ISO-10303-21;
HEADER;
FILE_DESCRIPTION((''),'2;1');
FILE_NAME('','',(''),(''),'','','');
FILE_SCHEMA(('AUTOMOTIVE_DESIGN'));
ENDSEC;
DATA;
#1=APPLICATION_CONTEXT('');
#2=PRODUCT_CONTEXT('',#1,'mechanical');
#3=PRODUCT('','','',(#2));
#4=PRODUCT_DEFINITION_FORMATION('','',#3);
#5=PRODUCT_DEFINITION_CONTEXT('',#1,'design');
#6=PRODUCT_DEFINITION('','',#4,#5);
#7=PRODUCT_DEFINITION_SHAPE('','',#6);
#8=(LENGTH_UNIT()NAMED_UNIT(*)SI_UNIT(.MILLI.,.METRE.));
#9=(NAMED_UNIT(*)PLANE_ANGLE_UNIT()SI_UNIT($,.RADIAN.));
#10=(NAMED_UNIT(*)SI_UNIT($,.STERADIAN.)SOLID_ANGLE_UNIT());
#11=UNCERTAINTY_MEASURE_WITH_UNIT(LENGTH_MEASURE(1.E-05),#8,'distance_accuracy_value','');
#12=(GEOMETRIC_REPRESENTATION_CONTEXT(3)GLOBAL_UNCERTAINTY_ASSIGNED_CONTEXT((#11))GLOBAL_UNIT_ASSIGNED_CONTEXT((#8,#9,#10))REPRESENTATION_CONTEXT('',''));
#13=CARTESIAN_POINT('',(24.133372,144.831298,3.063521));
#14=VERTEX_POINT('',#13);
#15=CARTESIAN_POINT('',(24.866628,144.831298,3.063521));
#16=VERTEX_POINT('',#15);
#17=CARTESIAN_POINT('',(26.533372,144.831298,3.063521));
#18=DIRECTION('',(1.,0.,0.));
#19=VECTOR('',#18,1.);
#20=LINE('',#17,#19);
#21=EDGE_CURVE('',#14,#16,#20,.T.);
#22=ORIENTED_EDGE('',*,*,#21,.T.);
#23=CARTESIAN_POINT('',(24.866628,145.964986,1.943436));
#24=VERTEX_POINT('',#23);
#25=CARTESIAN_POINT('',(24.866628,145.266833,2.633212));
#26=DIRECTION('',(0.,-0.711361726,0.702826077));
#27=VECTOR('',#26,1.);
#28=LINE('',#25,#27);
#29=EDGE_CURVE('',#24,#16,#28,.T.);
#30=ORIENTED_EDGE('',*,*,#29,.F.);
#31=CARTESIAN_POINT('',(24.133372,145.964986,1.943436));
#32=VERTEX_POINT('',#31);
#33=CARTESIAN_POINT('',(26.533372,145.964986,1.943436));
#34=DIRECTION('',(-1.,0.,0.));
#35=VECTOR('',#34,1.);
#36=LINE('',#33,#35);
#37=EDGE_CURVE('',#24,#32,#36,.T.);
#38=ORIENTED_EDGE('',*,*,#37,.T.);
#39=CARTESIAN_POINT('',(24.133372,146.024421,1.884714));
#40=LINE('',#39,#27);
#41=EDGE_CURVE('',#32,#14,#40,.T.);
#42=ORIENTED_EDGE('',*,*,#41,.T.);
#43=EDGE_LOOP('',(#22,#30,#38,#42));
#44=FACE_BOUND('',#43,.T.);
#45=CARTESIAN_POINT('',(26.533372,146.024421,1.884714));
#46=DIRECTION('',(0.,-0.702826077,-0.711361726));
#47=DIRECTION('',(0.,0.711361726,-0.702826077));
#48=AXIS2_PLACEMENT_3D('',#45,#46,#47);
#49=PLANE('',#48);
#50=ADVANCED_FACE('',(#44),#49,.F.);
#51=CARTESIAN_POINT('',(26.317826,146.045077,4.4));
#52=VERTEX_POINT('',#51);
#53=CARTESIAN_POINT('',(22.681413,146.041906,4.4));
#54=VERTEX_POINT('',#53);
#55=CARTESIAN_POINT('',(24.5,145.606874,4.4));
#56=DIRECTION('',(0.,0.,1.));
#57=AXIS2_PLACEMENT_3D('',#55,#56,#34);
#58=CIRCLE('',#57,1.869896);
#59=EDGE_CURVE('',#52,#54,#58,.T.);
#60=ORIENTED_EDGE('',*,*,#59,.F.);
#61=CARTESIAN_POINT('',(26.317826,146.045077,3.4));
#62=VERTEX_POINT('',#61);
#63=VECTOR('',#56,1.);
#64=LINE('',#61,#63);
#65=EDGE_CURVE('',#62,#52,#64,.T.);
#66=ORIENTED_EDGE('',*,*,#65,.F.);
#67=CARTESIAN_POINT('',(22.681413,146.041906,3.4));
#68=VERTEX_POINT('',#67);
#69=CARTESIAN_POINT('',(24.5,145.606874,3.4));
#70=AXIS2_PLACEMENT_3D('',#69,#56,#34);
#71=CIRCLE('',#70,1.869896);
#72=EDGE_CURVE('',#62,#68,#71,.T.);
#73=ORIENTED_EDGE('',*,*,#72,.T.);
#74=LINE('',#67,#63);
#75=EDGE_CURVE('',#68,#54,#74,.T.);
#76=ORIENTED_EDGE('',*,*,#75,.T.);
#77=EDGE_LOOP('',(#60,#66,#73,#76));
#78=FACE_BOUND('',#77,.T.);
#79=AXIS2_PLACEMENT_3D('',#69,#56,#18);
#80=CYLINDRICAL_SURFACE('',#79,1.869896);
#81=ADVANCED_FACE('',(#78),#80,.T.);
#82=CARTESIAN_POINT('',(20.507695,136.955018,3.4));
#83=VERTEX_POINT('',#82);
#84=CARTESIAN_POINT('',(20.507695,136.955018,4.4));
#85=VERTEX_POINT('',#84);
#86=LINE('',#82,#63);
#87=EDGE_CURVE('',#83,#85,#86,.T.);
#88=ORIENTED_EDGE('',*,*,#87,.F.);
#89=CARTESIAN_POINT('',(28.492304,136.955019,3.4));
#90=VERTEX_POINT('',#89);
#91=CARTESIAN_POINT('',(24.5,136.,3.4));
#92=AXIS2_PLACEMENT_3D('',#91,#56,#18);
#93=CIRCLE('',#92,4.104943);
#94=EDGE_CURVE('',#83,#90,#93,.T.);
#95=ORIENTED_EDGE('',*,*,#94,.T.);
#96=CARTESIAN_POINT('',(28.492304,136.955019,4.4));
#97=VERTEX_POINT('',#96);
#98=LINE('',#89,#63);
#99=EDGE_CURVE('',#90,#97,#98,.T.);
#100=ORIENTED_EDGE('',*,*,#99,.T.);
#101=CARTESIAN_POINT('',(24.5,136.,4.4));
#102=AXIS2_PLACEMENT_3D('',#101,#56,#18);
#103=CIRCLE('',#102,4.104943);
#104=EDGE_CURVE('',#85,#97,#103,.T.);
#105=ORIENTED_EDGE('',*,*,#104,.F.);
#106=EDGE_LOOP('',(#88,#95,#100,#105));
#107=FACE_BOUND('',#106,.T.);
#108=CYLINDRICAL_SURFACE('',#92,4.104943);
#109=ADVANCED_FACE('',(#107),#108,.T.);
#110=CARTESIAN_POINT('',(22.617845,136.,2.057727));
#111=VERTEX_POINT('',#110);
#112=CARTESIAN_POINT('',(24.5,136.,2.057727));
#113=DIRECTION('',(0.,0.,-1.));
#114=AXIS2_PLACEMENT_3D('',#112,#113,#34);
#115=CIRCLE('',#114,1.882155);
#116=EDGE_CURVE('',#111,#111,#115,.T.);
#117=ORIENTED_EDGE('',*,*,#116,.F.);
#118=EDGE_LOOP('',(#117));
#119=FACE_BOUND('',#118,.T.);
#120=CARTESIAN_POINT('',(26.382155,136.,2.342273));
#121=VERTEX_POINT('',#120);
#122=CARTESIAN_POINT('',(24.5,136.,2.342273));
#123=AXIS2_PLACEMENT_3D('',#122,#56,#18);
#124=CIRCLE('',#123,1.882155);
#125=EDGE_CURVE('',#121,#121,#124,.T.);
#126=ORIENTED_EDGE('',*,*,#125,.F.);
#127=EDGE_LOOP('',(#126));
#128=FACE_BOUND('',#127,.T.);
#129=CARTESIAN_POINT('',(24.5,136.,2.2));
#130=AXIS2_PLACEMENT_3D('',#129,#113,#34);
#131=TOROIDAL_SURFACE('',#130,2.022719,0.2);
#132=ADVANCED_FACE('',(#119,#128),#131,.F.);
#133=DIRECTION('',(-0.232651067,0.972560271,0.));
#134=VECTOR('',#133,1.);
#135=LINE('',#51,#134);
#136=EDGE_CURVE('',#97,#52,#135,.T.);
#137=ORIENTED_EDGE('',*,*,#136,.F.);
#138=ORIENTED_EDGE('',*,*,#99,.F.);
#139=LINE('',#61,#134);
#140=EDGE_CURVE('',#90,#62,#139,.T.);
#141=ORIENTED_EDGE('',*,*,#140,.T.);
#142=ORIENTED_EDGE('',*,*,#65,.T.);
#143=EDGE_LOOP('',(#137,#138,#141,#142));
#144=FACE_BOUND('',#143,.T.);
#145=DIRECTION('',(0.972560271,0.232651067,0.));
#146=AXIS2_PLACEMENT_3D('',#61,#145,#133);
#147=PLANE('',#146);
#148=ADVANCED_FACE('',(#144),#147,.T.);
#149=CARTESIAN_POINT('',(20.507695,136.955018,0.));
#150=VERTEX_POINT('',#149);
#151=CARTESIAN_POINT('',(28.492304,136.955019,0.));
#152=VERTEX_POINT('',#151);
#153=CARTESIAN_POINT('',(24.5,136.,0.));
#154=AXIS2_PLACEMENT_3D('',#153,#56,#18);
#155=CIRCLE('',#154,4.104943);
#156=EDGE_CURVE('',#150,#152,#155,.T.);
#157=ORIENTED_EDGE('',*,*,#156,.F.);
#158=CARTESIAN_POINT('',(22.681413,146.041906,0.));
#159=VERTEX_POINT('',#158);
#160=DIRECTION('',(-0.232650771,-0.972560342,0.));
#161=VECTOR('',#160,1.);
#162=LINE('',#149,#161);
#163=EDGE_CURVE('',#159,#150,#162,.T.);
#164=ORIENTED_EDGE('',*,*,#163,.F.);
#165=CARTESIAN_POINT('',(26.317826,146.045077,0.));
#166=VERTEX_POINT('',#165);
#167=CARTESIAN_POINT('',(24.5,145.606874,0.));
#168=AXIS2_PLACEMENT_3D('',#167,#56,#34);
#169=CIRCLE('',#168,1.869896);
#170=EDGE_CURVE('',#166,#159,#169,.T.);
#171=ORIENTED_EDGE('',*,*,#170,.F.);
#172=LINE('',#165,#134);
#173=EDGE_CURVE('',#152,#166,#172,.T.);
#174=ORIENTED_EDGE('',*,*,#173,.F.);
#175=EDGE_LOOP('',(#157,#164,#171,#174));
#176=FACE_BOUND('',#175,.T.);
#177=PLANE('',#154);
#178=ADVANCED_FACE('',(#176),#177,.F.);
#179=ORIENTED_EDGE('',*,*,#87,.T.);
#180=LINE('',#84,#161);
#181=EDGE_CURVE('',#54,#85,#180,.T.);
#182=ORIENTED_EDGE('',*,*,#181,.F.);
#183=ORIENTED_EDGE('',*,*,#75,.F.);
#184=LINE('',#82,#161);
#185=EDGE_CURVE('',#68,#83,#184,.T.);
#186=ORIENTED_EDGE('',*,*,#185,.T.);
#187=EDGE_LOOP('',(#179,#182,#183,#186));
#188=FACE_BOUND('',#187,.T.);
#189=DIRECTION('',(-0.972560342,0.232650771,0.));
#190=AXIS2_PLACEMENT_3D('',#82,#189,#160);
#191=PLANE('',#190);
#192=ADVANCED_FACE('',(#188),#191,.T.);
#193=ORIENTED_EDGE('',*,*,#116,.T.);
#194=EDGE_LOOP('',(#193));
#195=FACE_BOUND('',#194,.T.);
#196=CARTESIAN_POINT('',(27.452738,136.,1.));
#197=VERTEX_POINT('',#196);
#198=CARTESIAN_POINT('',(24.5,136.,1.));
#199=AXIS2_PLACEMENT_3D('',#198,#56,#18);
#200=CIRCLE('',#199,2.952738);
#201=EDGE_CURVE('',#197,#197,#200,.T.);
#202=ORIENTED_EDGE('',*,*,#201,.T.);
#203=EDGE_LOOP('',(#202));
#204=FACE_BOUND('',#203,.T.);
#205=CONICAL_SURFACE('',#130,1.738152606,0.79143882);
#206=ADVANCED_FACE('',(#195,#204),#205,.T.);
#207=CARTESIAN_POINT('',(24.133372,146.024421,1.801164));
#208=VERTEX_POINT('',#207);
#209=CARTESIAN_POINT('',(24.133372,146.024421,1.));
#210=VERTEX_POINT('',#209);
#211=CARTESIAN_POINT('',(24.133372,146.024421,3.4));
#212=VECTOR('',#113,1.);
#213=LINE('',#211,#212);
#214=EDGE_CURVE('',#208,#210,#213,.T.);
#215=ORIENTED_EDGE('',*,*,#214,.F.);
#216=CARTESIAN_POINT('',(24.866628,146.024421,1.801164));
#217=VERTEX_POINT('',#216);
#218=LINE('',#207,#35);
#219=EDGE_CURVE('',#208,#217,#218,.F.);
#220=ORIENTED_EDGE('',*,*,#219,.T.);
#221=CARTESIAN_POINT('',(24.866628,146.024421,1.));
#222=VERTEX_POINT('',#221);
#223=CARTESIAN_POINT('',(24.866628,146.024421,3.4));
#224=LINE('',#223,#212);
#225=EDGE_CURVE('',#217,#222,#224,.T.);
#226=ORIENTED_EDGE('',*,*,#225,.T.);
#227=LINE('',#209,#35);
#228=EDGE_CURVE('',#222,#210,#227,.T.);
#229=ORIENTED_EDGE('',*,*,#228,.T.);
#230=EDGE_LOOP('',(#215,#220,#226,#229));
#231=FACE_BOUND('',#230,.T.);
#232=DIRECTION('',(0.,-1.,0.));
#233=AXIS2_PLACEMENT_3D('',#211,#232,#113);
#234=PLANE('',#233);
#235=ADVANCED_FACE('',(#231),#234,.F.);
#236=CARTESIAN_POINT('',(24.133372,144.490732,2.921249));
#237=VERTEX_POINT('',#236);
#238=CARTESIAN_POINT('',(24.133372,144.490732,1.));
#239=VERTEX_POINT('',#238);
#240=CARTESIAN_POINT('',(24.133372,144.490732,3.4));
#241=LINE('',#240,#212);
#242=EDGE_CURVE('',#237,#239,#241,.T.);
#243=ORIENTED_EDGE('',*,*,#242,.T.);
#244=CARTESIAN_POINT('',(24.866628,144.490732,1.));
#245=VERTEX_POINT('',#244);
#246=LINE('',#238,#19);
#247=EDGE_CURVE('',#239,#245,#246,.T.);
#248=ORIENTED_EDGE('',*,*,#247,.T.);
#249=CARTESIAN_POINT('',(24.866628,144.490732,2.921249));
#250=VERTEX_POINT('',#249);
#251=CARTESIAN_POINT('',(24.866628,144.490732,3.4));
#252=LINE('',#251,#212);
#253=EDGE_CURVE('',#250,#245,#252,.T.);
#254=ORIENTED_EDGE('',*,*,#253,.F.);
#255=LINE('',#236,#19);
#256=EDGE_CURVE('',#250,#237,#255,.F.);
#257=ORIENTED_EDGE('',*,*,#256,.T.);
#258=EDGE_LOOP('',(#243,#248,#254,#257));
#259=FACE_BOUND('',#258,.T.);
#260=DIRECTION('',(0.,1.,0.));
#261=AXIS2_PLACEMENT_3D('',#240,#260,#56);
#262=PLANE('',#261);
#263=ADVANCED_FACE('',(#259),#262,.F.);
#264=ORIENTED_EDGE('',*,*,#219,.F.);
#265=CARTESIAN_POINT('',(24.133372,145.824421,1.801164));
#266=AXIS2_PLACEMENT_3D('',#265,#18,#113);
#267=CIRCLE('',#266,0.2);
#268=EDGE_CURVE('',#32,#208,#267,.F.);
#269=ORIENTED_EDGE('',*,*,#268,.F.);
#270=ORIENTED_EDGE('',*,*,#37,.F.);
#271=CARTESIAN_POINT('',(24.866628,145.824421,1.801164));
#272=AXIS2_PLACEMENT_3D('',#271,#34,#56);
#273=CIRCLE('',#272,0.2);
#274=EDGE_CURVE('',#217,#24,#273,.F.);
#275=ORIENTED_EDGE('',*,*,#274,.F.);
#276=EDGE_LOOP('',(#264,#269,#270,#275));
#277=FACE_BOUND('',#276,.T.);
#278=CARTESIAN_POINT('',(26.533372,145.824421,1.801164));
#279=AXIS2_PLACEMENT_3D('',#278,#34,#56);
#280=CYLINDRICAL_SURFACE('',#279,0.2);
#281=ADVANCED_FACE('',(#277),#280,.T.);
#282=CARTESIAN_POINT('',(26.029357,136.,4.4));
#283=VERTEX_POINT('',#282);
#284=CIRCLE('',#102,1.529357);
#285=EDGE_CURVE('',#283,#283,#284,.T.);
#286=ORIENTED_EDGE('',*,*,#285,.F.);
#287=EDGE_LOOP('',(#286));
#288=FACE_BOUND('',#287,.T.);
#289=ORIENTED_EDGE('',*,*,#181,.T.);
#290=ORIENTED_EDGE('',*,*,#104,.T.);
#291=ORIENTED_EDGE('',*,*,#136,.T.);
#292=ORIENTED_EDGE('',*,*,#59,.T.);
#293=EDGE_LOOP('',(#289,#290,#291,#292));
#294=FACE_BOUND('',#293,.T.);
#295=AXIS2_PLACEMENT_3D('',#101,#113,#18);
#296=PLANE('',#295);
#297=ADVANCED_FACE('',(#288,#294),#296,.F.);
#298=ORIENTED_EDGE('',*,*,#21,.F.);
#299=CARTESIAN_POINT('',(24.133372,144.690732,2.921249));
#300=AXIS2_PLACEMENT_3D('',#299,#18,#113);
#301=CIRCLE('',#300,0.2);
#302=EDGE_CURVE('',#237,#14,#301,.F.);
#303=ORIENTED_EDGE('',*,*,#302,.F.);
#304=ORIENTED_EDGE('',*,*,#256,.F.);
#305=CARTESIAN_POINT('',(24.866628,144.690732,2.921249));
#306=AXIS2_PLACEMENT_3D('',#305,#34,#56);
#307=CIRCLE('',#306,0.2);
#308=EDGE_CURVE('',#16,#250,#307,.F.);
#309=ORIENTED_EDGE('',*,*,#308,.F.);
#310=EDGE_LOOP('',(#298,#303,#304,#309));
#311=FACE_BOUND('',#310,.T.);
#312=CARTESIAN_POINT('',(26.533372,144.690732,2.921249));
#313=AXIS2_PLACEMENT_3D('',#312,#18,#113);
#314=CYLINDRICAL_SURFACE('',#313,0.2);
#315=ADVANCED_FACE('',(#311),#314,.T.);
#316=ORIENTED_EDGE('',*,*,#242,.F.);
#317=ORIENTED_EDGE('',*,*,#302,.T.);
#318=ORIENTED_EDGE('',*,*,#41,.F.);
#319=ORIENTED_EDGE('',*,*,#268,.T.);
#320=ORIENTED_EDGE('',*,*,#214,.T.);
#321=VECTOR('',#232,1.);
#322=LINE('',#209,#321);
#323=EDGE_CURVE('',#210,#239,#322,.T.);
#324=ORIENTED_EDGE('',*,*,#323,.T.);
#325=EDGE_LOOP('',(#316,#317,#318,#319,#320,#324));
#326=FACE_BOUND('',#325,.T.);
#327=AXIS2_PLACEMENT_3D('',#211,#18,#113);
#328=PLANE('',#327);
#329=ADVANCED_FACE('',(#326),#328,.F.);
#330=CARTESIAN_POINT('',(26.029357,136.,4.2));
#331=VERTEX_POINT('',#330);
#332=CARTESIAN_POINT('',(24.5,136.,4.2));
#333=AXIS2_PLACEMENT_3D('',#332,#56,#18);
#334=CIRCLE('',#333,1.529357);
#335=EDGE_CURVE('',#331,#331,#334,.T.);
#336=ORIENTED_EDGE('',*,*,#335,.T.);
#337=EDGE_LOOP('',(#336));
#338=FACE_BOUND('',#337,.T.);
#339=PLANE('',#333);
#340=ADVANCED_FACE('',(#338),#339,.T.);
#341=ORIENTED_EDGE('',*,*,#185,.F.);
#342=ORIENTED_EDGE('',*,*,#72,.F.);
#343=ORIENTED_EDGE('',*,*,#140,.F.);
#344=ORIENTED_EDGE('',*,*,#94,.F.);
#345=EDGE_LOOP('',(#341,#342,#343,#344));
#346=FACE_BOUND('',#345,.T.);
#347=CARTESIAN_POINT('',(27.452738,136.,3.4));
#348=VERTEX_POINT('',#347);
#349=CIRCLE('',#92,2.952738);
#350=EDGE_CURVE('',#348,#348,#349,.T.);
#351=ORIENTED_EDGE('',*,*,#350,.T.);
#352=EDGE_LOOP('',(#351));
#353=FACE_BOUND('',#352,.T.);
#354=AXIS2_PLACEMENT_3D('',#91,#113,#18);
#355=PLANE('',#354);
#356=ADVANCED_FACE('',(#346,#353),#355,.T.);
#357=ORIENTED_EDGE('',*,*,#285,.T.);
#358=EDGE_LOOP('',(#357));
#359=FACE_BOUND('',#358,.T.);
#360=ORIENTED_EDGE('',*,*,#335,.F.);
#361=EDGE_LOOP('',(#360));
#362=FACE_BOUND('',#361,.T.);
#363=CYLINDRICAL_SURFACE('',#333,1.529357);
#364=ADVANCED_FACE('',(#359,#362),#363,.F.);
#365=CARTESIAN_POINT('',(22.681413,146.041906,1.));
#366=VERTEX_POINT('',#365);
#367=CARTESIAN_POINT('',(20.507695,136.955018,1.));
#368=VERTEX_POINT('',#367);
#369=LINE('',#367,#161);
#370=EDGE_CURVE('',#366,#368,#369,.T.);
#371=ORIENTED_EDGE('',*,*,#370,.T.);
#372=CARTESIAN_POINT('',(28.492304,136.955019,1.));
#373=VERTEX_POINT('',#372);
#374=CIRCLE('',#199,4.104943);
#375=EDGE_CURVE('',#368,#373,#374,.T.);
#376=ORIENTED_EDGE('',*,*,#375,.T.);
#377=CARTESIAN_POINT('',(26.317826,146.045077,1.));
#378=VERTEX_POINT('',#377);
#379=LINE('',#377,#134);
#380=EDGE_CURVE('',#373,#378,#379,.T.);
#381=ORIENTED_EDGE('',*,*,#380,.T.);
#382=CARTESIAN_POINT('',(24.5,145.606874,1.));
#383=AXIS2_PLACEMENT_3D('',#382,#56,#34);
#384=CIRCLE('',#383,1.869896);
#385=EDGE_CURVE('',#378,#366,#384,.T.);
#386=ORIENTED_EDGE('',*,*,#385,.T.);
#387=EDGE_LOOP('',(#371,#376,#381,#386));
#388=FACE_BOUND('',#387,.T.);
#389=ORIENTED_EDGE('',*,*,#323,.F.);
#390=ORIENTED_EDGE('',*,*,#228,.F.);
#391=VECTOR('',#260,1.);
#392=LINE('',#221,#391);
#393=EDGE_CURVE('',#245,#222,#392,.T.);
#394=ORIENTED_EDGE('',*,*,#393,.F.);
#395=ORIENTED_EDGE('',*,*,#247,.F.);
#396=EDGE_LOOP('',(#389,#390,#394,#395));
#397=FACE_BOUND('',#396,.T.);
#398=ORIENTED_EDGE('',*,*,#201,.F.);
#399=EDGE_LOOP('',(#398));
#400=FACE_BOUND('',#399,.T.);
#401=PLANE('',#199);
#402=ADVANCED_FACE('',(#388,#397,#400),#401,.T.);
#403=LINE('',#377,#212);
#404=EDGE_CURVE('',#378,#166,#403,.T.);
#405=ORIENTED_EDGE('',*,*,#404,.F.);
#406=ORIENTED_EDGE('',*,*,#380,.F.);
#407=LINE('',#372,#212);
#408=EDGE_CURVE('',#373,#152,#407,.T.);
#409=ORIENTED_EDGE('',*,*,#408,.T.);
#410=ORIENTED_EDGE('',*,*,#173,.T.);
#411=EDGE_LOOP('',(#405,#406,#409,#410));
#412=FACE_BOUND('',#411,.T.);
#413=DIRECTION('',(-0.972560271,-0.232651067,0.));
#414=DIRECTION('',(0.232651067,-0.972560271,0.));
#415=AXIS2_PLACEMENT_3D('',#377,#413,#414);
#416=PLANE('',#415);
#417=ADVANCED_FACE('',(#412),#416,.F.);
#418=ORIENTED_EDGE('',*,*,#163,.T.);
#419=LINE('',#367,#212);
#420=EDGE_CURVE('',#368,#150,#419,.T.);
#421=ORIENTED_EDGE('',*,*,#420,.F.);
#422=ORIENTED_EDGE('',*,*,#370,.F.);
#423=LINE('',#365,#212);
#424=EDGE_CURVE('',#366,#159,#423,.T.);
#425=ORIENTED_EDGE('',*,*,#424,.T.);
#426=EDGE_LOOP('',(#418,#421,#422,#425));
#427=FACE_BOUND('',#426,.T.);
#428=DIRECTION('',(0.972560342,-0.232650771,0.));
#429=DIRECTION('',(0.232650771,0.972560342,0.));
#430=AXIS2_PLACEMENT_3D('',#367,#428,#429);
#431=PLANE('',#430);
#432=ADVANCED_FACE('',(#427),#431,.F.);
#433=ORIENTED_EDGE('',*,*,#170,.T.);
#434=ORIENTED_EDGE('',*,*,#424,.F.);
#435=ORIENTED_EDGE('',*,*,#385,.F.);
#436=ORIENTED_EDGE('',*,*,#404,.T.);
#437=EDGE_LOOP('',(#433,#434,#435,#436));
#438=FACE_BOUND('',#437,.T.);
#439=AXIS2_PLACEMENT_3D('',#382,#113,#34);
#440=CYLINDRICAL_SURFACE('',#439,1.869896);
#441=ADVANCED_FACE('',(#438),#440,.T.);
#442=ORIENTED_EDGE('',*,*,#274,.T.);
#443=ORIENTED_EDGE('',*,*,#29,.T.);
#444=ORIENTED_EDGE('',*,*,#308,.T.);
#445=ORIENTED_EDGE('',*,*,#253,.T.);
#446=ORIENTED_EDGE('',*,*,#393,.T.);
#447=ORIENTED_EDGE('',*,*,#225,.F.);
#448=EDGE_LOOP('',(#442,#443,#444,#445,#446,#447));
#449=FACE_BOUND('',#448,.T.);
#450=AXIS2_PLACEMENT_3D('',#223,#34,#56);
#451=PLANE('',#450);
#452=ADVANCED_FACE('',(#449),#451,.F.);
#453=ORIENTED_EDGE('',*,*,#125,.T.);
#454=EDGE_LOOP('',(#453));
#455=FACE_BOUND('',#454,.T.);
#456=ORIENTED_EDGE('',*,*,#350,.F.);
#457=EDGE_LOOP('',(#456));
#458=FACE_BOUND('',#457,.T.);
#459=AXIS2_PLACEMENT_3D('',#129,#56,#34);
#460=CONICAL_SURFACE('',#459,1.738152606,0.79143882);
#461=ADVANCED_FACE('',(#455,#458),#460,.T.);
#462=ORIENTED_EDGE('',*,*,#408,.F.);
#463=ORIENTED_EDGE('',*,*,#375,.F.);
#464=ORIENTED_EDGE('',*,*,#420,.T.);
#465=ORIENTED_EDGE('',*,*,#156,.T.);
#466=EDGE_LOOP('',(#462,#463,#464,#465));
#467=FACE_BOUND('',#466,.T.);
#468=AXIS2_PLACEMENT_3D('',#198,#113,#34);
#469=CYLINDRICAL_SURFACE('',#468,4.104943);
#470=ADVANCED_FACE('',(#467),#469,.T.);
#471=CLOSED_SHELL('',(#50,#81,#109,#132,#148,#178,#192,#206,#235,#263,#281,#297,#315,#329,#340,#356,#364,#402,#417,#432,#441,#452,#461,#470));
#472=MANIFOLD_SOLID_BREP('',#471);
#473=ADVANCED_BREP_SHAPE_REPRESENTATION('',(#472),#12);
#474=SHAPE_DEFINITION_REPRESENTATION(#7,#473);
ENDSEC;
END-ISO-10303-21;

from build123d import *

# Parameters (mm, degrees)
EXTRUDE_1_DEPTH     = 1
SKETCH_3_R          = 2.952738467
SKETCH_5_R          = 1.738152606
SKETCH_6_W          = 0.733255876
SKETCH_6_H          = 1.533688363
EXTRUDE_2_DEPTH     = 2.4
CUT_EXTRUDE_1_DEPTH = 2.4
FILLET_1_R          = 0.2
FILLET_2_R          = 0.2
SKETCH_8_R          = 1.529357016
CUT_EXTRUDE_3_DEPTH = 0.2


with BuildPart() as part:
    # 草图2 → 凸台-拉伸1 (new body)
    with BuildSketch(Plane.XY):
        with BuildLine():
            Line((20.507695312, 136.955018135), (22.681412951, 146.041906443))
            ThreePointArc((22.681412951, 146.041906443), (24.498369442, 147.476769267), (26.317825582, 146.045077413))
            Line((26.317825582, 146.045077413), (28.492304397, 136.955019349))
            ThreePointArc((28.492304397, 136.955019349), (24.500000624, 131.895057082), (20.507695312, 136.955018135))
        make_face()
    extrude_1 = extrude(amount=EXTRUDE_1_DEPTH)

    # 草图3 → 放样2 section 0
    with BuildSketch(Plane.XY.offset(1)):
        with Locations((24.5, 136)):
            Circle(SKETCH_3_R)
    # 草图5 → 放样2 section 1
    with BuildSketch(Plane(origin=(0, 0, 2.2), x_dir=(-1, 0, 0), z_dir=(0, 0, -1))):
        with Locations((-24.5, 136)):
            Circle(SKETCH_5_R)
    loft_2 = loft()

    # 草图6 → 凸台-拉伸2 (add)
    with BuildSketch(Plane.XY.offset(1)):
        with Locations((24.5, 145.257576629)):
            Rectangle(SKETCH_6_W, SKETCH_6_H)
    extrude(amount=EXTRUDE_2_DEPTH)

    # 草图7 → 切除-拉伸1 (cut)
    with BuildSketch(Plane.ZY.offset(-24.133372062)):
        Polygon((1.884714406, 146.02442081), (3.4, 144.490732447), (3.4, 146.02442081), align=None)
    extrude(amount=-CUT_EXTRUDE_1_DEPTH, mode=Mode.SUBTRACT)

    # 圆角1
    fillet_1_edges = [part.edges().sort_by_distance(p)[0] for p in [
        (24.5, 144.490732447, 3.4),
        (24.5, 146.02442081, 1.884714406),
    ]]
    fillet(fillet_1_edges, radius=FILLET_1_R)

    # 镜向4: 放样2 across plane
    add(loft_2.mirror(Plane(origin=(0, 0, 2.2), x_dir=(1, 0, 0), z_dir=(0, 0, -1))))

    # 镜向5: 凸台-拉伸1 across plane
    add(extrude_1.mirror(Plane(origin=(0, 0, 2.2), x_dir=(1, 0, 0), z_dir=(0, 0, -1))))

    # 圆角2
    fillet_2_edges = [part.edges().sort_by_distance(p)[0] for p in [
        (22.761847394, 136, 2.2),
    ]]
    fillet(fillet_2_edges, radius=FILLET_2_R)

    # 草图8 → 切除-拉伸3 (cut)
    with BuildSketch(Plane.XY.offset(4.4)):
        with Locations((24.5, 136)):
            Circle(SKETCH_8_R)
    extrude(amount=-CUT_EXTRUDE_3_DEPTH, mode=Mode.SUBTRACT)


solid = part.part
